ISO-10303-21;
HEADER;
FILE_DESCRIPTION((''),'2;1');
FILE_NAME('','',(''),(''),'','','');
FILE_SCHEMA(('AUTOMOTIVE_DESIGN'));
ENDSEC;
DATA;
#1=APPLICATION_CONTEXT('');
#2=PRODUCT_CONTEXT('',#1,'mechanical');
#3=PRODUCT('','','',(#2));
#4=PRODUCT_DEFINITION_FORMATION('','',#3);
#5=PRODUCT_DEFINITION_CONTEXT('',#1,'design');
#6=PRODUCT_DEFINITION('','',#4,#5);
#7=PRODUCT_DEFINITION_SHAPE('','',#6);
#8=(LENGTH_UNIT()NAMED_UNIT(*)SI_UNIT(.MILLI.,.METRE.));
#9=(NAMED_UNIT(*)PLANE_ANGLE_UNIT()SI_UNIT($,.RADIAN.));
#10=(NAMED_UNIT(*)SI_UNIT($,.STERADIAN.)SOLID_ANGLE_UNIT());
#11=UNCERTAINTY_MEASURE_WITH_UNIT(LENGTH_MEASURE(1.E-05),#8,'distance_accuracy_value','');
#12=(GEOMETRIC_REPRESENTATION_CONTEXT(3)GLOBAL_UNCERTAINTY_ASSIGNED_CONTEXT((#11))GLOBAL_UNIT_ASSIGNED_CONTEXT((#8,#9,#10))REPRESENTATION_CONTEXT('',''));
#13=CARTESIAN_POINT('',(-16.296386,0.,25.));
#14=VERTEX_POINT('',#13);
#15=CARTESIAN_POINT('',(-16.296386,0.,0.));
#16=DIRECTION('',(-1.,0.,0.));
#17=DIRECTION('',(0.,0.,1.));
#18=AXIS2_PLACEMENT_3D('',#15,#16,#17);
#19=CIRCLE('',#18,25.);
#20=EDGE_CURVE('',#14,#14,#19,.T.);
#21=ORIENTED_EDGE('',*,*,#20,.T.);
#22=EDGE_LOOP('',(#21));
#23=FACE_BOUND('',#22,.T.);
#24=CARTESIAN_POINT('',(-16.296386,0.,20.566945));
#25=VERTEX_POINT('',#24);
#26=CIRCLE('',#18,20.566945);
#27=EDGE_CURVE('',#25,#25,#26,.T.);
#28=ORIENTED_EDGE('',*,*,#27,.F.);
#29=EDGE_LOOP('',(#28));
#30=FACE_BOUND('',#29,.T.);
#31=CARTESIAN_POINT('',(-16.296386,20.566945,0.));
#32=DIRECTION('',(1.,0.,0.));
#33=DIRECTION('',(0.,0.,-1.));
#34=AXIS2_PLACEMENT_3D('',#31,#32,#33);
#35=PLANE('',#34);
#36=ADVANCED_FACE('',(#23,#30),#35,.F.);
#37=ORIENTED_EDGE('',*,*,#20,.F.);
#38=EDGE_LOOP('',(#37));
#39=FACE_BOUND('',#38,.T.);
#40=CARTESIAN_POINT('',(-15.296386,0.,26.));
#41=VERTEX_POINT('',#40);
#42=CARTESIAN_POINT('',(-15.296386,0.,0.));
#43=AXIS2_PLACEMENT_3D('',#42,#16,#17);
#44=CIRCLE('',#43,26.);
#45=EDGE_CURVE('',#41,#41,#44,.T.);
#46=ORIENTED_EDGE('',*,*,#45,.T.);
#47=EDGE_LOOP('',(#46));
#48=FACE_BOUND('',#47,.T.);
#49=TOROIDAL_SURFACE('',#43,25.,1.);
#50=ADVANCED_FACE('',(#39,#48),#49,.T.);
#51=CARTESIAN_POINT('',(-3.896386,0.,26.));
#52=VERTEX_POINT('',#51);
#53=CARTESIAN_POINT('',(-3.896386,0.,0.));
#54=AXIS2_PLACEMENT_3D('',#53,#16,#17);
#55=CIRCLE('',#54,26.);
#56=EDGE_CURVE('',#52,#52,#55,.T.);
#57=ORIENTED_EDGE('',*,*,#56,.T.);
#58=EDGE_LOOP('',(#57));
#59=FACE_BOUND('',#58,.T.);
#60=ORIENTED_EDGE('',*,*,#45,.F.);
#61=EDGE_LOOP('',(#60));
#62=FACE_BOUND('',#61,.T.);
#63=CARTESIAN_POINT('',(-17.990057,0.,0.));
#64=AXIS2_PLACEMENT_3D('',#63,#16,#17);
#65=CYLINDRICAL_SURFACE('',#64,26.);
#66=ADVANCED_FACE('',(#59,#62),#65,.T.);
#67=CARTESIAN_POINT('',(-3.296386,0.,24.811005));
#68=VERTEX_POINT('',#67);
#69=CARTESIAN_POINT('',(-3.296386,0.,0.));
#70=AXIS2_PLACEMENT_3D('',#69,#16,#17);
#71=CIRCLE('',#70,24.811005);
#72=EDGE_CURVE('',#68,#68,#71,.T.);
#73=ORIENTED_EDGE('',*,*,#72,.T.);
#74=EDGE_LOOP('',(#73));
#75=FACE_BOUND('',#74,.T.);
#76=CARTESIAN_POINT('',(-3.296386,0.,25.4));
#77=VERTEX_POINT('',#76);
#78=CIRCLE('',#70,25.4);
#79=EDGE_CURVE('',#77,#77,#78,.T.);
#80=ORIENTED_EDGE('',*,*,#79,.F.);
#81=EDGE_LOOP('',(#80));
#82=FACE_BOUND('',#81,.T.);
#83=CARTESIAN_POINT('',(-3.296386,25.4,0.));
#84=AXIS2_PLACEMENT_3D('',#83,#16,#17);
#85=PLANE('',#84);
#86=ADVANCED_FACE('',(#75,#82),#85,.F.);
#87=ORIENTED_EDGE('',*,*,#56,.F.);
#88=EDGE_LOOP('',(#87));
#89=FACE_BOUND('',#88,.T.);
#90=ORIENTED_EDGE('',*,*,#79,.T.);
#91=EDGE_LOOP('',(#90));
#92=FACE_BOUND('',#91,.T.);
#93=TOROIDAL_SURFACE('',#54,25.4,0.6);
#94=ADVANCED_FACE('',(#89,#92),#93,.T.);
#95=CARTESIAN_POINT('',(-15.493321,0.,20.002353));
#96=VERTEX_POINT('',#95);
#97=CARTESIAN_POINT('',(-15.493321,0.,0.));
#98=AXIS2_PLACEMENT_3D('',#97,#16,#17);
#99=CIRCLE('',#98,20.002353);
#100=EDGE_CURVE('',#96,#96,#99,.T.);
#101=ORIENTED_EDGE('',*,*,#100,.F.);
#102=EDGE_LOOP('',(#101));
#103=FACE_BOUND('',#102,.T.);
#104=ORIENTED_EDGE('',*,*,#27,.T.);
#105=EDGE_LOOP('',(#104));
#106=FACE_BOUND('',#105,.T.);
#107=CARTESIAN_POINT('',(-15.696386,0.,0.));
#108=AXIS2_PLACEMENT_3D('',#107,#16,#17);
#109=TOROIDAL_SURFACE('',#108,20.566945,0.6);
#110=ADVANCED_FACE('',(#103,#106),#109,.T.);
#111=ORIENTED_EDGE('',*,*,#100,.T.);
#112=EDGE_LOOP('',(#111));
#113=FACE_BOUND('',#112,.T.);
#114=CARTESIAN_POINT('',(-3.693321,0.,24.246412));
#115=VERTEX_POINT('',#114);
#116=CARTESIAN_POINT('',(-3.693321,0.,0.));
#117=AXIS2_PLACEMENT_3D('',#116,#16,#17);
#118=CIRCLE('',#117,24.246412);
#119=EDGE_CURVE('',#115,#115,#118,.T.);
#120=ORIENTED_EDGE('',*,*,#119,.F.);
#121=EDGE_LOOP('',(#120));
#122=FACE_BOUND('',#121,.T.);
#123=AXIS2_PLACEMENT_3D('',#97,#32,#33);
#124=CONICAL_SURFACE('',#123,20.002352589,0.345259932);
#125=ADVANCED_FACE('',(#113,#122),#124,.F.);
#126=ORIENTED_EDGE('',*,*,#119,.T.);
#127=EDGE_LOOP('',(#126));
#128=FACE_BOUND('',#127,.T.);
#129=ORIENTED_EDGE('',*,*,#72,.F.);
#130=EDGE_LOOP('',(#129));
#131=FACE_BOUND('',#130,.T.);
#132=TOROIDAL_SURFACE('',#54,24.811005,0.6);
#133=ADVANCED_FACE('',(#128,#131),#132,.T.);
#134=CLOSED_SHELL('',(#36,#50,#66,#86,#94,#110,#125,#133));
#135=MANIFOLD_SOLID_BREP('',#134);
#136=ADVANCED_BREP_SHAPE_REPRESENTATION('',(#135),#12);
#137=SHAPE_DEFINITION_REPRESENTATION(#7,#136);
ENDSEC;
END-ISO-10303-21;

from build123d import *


with BuildPart() as part:
    # Esquisse1 → Base-Révolution (revolve)
    with BuildSketch(Plane.XY, mode=Mode.PRIVATE) as base_r_volution_sk:
        with BuildLine():
            Line((-15.29638585, 26), (-3.89638585, 26))
            ThreePointArc((-3.89638585, 26), (-3.472121782, 25.824264069), (-3.29638585, 25.4))
            Line((-3.29638585, 25.4), (-3.29638585, 24.811004735))
            ThreePointArc((-3.29638585, 24.811004735), (-3.405550409, 24.465924209), (-3.693321081, 24.246412227))
            Line((-3.693321081, 24.246412227), (-15.493321081, 20.002352589))
            ThreePointArc((-15.493321081, 20.002352589), (-16.041466376, 20.076109655), (-16.29638585, 20.566945096))
            Line((-16.29638585, 20.566945096), (-16.29638585, 25))
            ThreePointArc((-16.29638585, 25), (-16.003492631, 25.707106781), (-15.29638585, 26))
        make_face()
    revolve(base_r_volution_sk.sketch.rotate(Axis((-17.990056753, 0, 0), (1, 0, 0)), 90), axis=Axis((-17.990056753, 0, 0), (1, 0, 0)))


solid = part.part
